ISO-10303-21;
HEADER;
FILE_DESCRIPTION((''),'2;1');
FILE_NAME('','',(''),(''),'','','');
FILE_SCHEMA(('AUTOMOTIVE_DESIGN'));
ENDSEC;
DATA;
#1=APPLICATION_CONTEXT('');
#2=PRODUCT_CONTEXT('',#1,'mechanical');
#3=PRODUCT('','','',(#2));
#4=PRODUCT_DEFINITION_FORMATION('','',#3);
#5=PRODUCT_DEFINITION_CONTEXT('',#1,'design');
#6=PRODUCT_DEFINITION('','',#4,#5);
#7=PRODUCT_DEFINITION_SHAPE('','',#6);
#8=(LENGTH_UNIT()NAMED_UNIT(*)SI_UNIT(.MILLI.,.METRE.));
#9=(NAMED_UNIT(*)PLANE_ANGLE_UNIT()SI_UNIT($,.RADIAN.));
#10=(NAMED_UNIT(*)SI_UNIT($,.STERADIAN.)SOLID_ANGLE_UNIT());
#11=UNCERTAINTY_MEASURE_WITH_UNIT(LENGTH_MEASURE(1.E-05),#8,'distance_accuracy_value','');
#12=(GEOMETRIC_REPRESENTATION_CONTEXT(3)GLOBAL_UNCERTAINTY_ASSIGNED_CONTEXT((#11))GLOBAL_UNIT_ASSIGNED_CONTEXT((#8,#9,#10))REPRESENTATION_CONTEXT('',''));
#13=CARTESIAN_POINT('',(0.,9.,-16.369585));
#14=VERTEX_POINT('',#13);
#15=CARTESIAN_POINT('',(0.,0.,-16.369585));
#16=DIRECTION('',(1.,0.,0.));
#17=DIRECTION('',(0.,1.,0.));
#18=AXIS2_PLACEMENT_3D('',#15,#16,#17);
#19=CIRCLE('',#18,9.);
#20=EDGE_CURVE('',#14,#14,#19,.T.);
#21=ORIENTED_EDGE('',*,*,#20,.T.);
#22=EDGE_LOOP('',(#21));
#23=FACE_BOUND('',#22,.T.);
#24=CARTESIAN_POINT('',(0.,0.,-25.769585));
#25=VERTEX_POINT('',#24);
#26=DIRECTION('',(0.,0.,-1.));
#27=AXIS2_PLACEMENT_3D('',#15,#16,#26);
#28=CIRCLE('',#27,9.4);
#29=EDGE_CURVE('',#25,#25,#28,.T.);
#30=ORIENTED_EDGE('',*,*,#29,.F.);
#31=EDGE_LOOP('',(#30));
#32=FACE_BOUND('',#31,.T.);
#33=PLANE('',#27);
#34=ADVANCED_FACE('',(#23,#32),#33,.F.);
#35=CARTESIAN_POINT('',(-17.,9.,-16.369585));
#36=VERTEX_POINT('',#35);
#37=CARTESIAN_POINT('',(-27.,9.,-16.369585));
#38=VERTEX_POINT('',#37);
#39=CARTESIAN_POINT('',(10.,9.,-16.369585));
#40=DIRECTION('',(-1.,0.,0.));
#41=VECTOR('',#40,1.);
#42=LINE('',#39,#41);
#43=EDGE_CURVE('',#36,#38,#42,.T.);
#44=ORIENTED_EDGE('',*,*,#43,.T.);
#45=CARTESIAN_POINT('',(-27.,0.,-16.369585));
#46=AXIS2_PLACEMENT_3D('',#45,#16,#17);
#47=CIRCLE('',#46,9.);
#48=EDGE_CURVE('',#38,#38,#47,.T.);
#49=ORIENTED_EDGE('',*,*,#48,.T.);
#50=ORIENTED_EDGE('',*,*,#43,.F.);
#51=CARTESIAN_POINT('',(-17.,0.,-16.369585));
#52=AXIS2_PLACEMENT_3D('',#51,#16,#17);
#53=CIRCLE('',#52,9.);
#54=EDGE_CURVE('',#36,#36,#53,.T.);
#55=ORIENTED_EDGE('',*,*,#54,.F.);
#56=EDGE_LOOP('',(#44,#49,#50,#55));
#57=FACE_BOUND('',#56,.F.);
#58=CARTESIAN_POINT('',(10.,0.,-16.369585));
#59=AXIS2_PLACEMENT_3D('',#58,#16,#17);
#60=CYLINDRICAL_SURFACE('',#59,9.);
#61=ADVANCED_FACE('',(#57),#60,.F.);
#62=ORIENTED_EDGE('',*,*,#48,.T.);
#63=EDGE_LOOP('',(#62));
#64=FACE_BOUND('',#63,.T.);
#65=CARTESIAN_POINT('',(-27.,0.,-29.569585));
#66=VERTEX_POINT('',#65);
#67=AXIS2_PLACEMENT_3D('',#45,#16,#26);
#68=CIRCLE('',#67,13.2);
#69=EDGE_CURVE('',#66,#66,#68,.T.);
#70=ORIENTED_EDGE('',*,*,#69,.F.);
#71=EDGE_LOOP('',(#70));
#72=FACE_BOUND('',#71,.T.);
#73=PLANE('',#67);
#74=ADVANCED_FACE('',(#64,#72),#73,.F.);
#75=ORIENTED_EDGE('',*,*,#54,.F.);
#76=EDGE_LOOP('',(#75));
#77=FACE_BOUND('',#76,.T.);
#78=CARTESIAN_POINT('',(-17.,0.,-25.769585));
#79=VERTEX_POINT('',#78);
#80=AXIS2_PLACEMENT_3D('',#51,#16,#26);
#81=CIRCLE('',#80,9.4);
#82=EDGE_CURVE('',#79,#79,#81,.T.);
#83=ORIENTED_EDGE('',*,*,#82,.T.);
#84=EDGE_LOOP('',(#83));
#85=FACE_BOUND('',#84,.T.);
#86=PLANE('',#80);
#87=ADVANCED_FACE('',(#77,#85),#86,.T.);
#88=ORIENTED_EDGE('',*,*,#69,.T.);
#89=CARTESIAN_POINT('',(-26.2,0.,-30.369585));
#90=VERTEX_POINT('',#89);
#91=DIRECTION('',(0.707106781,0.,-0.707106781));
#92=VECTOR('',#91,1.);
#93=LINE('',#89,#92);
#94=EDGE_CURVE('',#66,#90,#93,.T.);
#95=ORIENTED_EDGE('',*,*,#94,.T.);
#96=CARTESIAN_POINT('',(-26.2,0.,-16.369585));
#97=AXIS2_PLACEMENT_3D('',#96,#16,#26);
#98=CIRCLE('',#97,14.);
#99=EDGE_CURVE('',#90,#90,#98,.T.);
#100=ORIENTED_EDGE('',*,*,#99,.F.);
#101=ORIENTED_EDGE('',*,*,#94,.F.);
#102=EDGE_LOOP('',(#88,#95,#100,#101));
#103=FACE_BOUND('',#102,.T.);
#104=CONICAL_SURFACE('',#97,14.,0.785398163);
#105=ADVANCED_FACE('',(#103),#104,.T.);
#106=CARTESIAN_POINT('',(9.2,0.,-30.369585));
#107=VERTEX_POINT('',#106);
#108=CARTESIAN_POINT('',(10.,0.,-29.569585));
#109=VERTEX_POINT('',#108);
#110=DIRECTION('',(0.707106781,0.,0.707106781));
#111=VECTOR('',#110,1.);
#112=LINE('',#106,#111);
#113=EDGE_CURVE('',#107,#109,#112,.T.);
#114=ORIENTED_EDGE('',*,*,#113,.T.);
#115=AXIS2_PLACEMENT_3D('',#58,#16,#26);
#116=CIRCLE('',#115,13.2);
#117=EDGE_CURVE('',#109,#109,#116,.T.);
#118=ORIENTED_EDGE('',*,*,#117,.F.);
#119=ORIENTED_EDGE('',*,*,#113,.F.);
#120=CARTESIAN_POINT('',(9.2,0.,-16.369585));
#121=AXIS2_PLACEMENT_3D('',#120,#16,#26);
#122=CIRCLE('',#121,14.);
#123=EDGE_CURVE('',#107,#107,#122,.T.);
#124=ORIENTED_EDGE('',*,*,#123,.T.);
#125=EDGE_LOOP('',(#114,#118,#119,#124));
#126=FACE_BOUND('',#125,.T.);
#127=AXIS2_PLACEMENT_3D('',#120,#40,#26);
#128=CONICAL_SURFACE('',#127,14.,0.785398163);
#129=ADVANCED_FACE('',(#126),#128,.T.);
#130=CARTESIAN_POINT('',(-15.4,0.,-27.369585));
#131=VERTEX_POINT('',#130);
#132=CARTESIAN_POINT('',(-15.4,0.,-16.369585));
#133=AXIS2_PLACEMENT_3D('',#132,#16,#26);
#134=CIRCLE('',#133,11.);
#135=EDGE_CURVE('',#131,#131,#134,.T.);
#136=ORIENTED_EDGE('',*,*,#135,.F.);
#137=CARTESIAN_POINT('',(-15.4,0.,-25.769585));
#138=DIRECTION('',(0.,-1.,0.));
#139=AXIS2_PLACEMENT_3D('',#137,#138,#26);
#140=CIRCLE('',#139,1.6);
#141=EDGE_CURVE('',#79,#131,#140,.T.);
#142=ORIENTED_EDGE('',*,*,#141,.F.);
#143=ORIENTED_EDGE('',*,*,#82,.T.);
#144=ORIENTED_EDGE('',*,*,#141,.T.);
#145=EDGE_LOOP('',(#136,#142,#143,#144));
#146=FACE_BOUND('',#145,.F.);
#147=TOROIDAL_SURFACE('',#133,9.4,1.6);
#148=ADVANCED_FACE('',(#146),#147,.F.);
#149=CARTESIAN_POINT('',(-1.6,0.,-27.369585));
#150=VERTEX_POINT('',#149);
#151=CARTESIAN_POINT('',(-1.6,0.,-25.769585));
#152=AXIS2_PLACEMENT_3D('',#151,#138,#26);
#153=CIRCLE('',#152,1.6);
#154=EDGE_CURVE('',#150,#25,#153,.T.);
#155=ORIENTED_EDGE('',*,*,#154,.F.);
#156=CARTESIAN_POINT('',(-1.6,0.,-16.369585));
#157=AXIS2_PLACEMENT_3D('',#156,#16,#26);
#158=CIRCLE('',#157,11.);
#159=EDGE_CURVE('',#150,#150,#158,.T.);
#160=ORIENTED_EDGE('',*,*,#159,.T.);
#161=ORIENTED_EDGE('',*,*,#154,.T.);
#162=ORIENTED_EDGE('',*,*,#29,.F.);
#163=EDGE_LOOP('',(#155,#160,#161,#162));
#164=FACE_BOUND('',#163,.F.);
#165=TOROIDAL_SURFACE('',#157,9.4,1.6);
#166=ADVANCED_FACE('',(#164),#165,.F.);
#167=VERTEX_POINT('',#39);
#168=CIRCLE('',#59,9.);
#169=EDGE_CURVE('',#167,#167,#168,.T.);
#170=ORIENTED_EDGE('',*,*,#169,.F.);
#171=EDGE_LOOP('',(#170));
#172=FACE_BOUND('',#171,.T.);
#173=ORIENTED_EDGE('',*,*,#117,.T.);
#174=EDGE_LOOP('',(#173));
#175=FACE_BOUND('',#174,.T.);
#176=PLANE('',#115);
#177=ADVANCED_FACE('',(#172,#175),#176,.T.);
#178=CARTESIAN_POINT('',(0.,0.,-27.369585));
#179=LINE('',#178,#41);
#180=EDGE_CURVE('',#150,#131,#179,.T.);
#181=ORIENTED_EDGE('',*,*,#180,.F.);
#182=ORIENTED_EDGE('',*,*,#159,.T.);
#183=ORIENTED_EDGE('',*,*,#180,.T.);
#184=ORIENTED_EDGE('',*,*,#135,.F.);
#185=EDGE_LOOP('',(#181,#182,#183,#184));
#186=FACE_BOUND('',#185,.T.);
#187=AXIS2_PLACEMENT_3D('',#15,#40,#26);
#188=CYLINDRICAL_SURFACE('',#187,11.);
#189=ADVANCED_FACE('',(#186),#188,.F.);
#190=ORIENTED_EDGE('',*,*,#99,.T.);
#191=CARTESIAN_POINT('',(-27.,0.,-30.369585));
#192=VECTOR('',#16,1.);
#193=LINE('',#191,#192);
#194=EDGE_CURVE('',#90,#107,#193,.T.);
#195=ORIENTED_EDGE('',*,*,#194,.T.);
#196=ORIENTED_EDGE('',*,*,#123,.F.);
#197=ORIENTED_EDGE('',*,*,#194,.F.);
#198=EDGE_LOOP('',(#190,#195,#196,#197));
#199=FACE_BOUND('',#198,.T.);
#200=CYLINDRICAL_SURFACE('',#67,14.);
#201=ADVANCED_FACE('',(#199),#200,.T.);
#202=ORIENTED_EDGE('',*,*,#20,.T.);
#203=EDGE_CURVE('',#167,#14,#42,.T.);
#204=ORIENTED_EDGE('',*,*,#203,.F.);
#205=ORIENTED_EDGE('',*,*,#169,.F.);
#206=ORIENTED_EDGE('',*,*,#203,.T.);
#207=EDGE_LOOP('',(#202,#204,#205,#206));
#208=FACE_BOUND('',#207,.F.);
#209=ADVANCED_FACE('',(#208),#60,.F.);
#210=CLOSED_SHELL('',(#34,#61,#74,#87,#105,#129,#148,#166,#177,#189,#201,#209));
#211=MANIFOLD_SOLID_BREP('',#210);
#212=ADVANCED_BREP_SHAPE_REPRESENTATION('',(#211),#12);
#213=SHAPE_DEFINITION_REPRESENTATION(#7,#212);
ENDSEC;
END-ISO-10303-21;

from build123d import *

# Parameters (mm, degrees)
F2_R     = 9
F3_DEPTH = 37
F4_SIZE  = 0.8
F5_R     = 1.6


with BuildPart() as f1:
    # F0 (on Front) → F1 (revolve)
    with BuildSketch(Plane.XZ):
        Polygon((-17, -16.36958538), (-27, -16.36958538), (-27, -30.36958538), (10, -30.36958538), (10, -16.36958538), (0, -16.36958538), (0, -27.36958538), (-17, -27.36958538), align=None)
    revolve(axis=Axis((-22, 0, -16.36958538), (1, 0, 0)))

    # F2 (on face) → F3 (cut)
    with BuildSketch(Plane.YZ.offset(10)):
        with Locations((0, -16.36958538)):
            Circle(F2_R)
    extrude(amount=-F3_DEPTH, mode=Mode.SUBTRACT)

    # F4
    f4_edges = [f1.edges().sort_by_distance(p)[0] for p in [
        (10, 0, -2.369585),
        (-27, 0, -2.369585),
    ]]
    chamfer(f4_edges, length=F4_SIZE)

    # F5
    f5_edges = [f1.edges().sort_by_distance(p)[0] for p in [
        (-17, 0, -5.369585),
        (0, 0, -5.369585),
    ]]
    fillet(f5_edges, radius=F5_R)


solid = f1.part
